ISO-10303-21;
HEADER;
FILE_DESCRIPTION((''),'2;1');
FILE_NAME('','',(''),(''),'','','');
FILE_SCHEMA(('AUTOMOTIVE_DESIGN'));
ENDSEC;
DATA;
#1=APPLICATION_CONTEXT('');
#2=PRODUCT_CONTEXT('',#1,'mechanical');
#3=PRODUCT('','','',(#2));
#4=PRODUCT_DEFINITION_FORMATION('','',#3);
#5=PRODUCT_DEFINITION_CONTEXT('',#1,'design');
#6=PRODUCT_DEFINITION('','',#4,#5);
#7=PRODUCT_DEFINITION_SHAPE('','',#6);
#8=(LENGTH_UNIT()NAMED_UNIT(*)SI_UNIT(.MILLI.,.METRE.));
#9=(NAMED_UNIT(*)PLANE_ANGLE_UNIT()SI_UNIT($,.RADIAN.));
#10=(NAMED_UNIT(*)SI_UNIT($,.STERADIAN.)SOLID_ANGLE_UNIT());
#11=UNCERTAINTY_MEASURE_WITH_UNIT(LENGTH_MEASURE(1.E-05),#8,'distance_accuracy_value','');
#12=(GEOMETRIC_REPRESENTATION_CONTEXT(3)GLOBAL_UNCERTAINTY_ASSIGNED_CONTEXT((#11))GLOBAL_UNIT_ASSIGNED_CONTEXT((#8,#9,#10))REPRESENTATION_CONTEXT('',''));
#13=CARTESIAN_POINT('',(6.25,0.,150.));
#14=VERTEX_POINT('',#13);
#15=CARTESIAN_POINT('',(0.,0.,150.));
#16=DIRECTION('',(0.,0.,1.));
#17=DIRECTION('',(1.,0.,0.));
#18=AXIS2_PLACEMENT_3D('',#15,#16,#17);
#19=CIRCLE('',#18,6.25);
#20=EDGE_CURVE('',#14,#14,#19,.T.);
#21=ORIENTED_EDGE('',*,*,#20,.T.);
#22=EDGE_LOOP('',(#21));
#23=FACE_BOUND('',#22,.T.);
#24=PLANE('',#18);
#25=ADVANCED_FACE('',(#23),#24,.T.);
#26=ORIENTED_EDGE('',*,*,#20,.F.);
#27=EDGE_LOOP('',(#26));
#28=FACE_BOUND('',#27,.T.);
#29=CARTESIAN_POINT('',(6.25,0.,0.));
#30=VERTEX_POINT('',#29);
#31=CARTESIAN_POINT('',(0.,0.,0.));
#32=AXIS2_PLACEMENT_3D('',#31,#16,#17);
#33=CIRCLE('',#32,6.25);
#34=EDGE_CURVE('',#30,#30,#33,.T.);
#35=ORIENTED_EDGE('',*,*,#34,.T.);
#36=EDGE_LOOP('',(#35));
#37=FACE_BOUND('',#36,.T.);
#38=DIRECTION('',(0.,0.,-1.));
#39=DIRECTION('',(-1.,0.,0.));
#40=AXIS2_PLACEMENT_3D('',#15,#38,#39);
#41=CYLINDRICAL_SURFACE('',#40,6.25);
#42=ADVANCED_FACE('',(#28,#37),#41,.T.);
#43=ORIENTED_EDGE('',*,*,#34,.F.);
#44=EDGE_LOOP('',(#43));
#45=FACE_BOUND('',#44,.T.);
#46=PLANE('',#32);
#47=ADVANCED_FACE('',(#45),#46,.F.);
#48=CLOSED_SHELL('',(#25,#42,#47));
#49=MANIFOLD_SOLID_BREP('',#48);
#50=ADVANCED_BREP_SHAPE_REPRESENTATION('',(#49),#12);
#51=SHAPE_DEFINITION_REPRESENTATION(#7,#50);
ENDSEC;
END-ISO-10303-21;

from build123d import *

# Parameters (mm, degrees)
SKETCH1_R           = 6.25
BOSS_EXTRUDE2_DEPTH = 150


with BuildPart() as part:
    # Sketch1 → Boss-Extrude2 (new body)
    with BuildSketch(Plane.XY):
        Circle(SKETCH1_R)
    extrude(amount=BOSS_EXTRUDE2_DEPTH)


solid = part.part
